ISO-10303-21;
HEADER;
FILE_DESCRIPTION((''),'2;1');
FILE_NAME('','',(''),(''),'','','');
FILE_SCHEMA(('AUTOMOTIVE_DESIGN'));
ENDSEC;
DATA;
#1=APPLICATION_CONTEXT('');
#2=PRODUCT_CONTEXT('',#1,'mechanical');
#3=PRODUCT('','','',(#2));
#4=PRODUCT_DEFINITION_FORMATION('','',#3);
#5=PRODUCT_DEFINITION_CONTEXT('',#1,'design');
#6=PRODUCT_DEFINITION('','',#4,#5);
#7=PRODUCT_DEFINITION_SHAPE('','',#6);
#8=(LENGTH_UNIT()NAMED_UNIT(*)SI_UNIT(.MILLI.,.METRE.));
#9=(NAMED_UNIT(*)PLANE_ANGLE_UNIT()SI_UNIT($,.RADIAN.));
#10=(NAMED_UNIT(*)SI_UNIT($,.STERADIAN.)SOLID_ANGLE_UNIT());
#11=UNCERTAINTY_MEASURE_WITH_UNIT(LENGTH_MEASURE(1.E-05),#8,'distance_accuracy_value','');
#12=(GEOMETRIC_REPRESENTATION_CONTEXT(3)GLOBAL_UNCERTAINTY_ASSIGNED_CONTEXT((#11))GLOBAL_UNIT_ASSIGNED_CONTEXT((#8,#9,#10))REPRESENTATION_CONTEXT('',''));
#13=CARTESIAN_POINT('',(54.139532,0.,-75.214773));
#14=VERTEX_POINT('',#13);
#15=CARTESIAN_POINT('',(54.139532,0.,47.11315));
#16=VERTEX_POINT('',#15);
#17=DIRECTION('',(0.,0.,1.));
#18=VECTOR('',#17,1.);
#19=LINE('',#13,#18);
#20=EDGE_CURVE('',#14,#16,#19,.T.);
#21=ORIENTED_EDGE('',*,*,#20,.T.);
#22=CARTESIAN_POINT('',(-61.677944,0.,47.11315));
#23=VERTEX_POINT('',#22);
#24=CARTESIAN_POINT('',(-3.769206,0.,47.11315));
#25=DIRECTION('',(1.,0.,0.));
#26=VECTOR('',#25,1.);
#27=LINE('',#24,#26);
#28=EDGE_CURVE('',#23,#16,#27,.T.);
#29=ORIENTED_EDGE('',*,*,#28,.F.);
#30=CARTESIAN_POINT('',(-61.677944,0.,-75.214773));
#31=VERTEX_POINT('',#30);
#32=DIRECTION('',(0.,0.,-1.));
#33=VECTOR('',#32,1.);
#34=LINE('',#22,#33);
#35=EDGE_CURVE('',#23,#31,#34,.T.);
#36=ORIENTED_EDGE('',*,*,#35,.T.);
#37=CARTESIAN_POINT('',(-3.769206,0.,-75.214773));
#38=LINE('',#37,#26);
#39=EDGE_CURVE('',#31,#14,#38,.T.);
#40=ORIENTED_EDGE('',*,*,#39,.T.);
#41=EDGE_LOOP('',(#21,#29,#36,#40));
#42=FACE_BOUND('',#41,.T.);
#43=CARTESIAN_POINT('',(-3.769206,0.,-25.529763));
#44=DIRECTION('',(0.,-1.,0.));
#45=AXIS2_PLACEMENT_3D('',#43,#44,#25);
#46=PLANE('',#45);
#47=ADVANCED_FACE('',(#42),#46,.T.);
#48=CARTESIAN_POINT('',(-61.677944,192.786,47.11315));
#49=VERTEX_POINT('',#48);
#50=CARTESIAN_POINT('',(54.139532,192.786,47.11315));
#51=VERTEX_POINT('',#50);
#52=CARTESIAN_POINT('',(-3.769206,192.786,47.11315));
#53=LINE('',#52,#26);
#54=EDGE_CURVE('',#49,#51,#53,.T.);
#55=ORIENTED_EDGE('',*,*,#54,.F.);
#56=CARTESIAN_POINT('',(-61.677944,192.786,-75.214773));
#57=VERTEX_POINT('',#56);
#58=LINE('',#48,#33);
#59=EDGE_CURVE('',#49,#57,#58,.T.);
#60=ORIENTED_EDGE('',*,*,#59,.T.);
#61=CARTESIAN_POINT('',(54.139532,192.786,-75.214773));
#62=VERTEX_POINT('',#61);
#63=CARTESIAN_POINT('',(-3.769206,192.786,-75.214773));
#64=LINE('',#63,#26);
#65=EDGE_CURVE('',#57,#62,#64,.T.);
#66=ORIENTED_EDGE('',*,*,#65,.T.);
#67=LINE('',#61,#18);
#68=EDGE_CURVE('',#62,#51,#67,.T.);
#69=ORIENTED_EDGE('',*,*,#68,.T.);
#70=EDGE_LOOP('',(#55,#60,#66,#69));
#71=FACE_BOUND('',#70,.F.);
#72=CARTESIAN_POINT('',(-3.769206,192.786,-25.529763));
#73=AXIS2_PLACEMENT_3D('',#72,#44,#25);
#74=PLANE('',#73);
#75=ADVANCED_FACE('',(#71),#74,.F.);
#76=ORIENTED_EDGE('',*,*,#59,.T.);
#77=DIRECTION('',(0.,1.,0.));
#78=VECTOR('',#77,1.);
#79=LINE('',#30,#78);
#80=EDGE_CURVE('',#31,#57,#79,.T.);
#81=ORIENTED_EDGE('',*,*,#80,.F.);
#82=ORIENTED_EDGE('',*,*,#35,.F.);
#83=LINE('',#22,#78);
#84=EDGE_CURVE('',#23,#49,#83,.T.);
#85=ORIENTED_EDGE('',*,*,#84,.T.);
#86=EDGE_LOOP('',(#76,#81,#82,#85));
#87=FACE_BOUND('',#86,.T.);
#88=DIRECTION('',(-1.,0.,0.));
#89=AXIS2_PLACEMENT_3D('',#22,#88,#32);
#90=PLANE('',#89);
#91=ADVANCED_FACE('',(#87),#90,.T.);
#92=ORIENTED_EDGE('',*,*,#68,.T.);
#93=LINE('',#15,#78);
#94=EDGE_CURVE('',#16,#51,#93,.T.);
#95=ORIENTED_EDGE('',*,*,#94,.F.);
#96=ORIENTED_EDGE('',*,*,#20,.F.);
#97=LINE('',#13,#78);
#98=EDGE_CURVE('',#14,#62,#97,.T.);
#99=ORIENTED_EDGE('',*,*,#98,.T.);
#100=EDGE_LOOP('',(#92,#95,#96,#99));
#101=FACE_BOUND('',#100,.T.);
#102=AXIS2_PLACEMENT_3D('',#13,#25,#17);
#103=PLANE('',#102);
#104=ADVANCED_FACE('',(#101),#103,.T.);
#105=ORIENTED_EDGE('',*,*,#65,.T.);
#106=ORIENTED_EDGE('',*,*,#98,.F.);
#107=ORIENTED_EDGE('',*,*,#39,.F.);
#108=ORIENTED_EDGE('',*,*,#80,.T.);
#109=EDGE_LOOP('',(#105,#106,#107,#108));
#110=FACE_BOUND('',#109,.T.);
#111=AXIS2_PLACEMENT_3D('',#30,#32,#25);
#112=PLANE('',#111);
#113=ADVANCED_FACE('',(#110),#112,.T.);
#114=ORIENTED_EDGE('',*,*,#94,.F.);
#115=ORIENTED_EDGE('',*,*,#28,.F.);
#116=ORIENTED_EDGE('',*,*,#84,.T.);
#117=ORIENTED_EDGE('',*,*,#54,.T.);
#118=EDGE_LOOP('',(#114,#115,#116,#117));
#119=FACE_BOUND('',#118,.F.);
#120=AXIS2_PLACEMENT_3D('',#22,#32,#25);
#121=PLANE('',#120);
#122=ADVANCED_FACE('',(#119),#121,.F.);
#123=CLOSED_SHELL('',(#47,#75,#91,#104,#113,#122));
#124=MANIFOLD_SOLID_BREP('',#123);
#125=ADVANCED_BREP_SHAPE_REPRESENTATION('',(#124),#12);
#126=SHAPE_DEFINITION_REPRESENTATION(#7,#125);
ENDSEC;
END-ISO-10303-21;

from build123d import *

# Parameters (mm, degrees)
F0_W     = 115.817476064
F0_H     = 99.370021373
F0_H_2   = 22.9579024017
F1_DEPTH = 192.786


with BuildPart() as f1:
    # F0 (on Front) → F1 (new body)
    with BuildSketch(Plane.XZ):
        with Locations((-3.7692058831, -25.52976273)):
            Rectangle(F0_W, F0_H)
        with BuildLine():
            Line((-48.9997006953, -68.0190101266), (-48.9997006953, 9.0784169734))
            Line((-48.9997006953, 9.0784169734), (-2.5179516699, 9.0784169734))
            ThreePointArc((-2.5179516699, 9.0784169734), (0, 9.1567427885), (2.5179516699, 9.0784169734))
            Line((2.5179516699, 9.0784169734), (41.4612852037, 9.0784169734))
            Line((41.4612852037, 9.0784169734), (41.4612852037, -68.0190101266))
            Line((41.4612852037, -68.0190101266), (17.231856384, -68.0190101266))
            ThreePointArc((17.231856384, -68.0190101266), (0, -71.8665511381), (-17.231856384, -68.0190101266))
            Line((-17.231856384, -68.0190101266), (-48.9997006953, -68.0190101266))
        make_face(mode=Mode.SUBTRACT)
        with BuildLine():
            Line((2.5179516699, 9.0784169734), (-2.5179516699, 9.0784169734))
            ThreePointArc((-2.5179516699, 9.0784169734), (-39.7934296825, -23.760399992), (-17.231856384, -68.0190101266))
            Line((-17.231856384, -68.0190101266), (17.231856384, -68.0190101266))
            ThreePointArc((17.231856384, -68.0190101266), (34.2000323248, -53.0701368161), (40.5116469633, -31.3549041748))
            ThreePointArc((40.5116469633, -31.3549041748), (29.5228717167, -3.6133543753), (2.5179516699, 9.0784169734))
        make_face()
        with BuildLine():
            ThreePointArc((-11.0932505569, 2.2391158249), (20.7262989795, -2.6836830938), (35.3782191137, -31.3549041748))
            ThreePointArc((35.3782191137, -31.3549041748), (34.4483019217, -39.4129983892), (31.7074361295, -47.0474782708))
            ThreePointArc((31.7074361295, -47.0474782708), (1.8548746816, -66.6844644265), (-29.8898603351, -50.2814632072))
            ThreePointArc((-29.8898603351, -50.2814632072), (-33.3092577231, -19.4338414036), (-11.0932505569, 2.2391158249))
        make_face(mode=Mode.SUBTRACT)
        with Locations((-3.7692058831, 35.6341991574)):
            Rectangle(F0_W, F0_H_2)
        with BuildLine():
            ThreePointArc((31.7074361295, -47.0474782708), (34.4483019217, -39.4129983892), (35.3782191137, -31.3549041748))
            ThreePointArc((35.3782191137, -31.3549041748), (20.7262989795, -2.6836830938), (-11.0932505569, 2.2391158249))
            Line((-11.0932505569, 2.2391158249), (-2.2843172928, -21.4441826822))
            ThreePointArc((-2.2843172928, -21.4441826822), (6.3327598935, -23.3964710294), (10.1705705837, -31.3549041748))
            ThreePointArc((10.1705705837, -31.3549041748), (9.903236934, -33.6714542452), (9.1152897252, -35.8662231864))
            Line((9.1152897252, -35.8662231864), (31.7074361295, -47.0474782708))
        make_face()
        with BuildLine():
            Line((-2.5179516699, 9.0784169734), (-48.9997006953, 9.0784169734))
            Line((-48.9997006953, 9.0784169734), (-48.9997006953, -68.0190101266))
            Line((-48.9997006953, -68.0190101266), (-17.231856384, -68.0190101266))
            ThreePointArc((-17.231856384, -68.0190101266), (-39.7934296825, -23.760399992), (-2.5179516699, 9.0784169734))
        make_face()
        with BuildLine():
            ThreePointArc((-29.8898603351, -50.2814632072), (1.8548746816, -66.6844644265), (31.7074361295, -47.0474782708))
            Line((31.7074361295, -47.0474782708), (8.0089741579, -37.6236232574))
            ThreePointArc((8.0089741579, -37.6236232574), (0.4803788306, -41.5141237402), (-7.3817295789, -38.3513728858))
            Line((-7.3817295789, -38.3513728858), (-29.8898603351, -50.2814632072))
        make_face()
        with BuildLine():
            Line((-3.7875579845, -21.915894136), (-11.0932505569, 2.2391158249))
            ThreePointArc((-11.0932505569, 2.2391158249), (-33.3092577231, -19.4338414036), (-29.8898603351, -50.2814632072))
            Line((-29.8898603351, -50.2814632072), (-8.592770973, -36.7959328464))
            ThreePointArc((-8.592770973, -36.7959328464), (-9.678430879, -28.2294471331), (-3.7875579845, -21.915894136))
        make_face()
        with BuildLine():
            Line((41.4612852037, 9.0784169734), (2.5179516699, 9.0784169734))
            ThreePointArc((2.5179516699, 9.0784169734), (29.5228717167, -3.6133543753), (40.5116469633, -31.3549041748))
            ThreePointArc((40.5116469633, -31.3549041748), (34.2000323248, -53.0701368161), (17.231856384, -68.0190101266))
            Line((17.231856384, -68.0190101266), (41.4612852037, -68.0190101266))
            Line((41.4612852037, -68.0190101266), (41.4612852037, 9.0784169734))
        make_face()
        with BuildLine():
            ThreePointArc((-2.2843172928, -21.4441826822), (-3.045085429, -21.6508864126), (-3.7875579845, -21.915894136))
            Line((-3.7875579845, -21.915894136), (-0.7828066425, -31.8505851838))
            Line((-0.7828066425, -31.8505851838), (0, -31.3549041748))
            Line((0, -31.3549041748), (9.1152897252, -35.8662231864))
            ThreePointArc((9.1152897252, -35.8662231864), (9.903236934, -33.6714542452), (10.1705705837, -31.3549041748))
            ThreePointArc((10.1705705837, -31.3549041748), (6.3327598935, -23.3964710294), (-2.2843172928, -21.4441826822))
        make_face()
        with BuildLine():
            Line((17.231856384, -68.0190101266), (-17.231856384, -68.0190101266))
            ThreePointArc((-17.231856384, -68.0190101266), (0, -71.8665511381), (17.231856384, -68.0190101266))
        make_face()
        with BuildLine():
            Line((-0.7828066425, -31.8505851838), (-3.7875579845, -21.915894136))
            ThreePointArc((-3.7875579845, -21.915894136), (-9.678430879, -28.2294471331), (-8.592770973, -36.7959328464))
            Line((-8.592770973, -36.7959328464), (-0.7828066425, -31.8505851838))
        make_face()
        with BuildLine():
            ThreePointArc((-7.3817295789, -38.3513728858), (0.4803788306, -41.5141237402), (8.0089741579, -37.6236232574))
            Line((8.0089741579, -37.6236232574), (0, -34.4388000667))
            Line((0, -34.4388000667), (-7.3817295789, -38.3513728858))
        make_face()
        with BuildLine():
            Line((8.0089741579, -37.6236232574), (31.7074361295, -47.0474782708))
            Line((31.7074361295, -47.0474782708), (9.1152897252, -35.8662231864))
            ThreePointArc((9.1152897252, -35.8662231864), (8.6071027145, -36.773233148), (8.0089741579, -37.6236232574))
        make_face()
        with BuildLine():
            Line((-8.592770973, -36.7959328464), (-29.8898603351, -50.2814632072))
            Line((-29.8898603351, -50.2814632072), (-7.3817295789, -38.3513728858))
            ThreePointArc((-7.3817295789, -38.3513728858), (-8.0250243239, -37.6030631516), (-8.592770973, -36.7959328464))
        make_face()
        with BuildLine():
            Line((0, -34.4388000667), (8.0089741579, -37.6236232574))
            ThreePointArc((8.0089741579, -37.6236232574), (8.6071027145, -36.773233148), (9.1152897252, -35.8662231864))
            Line((9.1152897252, -35.8662231864), (0, -31.3549041748))
            Line((0, -31.3549041748), (-0.7828066425, -31.8505851838))
            Line((-0.7828066425, -31.8505851838), (0, -34.4388000667))
        make_face()
        with BuildLine():
            Line((-0.7828066425, -31.8505851838), (-8.592770973, -36.7959328464))
            ThreePointArc((-8.592770973, -36.7959328464), (-8.0250243239, -37.6030631516), (-7.3817295789, -38.3513728858))
            Line((-7.3817295789, -38.3513728858), (0, -34.4388000667))
            Line((0, -34.4388000667), (-0.7828066425, -31.8505851838))
        make_face()
        with BuildLine():
            Line((-2.2843172928, -21.4441826822), (-11.0932505569, 2.2391158249))
            Line((-11.0932505569, 2.2391158249), (-3.7875579845, -21.915894136))
            ThreePointArc((-3.7875579845, -21.915894136), (-3.045085429, -21.6508864126), (-2.2843172928, -21.4441826822))
        make_face()
        with BuildLine():
            ThreePointArc((2.5179516699, 9.0784169734), (0, 9.1567427885), (-2.5179516699, 9.0784169734))
            Line((-2.5179516699, 9.0784169734), (2.5179516699, 9.0784169734))
        make_face()
    extrude(amount=-F1_DEPTH)


solid = f1.part
